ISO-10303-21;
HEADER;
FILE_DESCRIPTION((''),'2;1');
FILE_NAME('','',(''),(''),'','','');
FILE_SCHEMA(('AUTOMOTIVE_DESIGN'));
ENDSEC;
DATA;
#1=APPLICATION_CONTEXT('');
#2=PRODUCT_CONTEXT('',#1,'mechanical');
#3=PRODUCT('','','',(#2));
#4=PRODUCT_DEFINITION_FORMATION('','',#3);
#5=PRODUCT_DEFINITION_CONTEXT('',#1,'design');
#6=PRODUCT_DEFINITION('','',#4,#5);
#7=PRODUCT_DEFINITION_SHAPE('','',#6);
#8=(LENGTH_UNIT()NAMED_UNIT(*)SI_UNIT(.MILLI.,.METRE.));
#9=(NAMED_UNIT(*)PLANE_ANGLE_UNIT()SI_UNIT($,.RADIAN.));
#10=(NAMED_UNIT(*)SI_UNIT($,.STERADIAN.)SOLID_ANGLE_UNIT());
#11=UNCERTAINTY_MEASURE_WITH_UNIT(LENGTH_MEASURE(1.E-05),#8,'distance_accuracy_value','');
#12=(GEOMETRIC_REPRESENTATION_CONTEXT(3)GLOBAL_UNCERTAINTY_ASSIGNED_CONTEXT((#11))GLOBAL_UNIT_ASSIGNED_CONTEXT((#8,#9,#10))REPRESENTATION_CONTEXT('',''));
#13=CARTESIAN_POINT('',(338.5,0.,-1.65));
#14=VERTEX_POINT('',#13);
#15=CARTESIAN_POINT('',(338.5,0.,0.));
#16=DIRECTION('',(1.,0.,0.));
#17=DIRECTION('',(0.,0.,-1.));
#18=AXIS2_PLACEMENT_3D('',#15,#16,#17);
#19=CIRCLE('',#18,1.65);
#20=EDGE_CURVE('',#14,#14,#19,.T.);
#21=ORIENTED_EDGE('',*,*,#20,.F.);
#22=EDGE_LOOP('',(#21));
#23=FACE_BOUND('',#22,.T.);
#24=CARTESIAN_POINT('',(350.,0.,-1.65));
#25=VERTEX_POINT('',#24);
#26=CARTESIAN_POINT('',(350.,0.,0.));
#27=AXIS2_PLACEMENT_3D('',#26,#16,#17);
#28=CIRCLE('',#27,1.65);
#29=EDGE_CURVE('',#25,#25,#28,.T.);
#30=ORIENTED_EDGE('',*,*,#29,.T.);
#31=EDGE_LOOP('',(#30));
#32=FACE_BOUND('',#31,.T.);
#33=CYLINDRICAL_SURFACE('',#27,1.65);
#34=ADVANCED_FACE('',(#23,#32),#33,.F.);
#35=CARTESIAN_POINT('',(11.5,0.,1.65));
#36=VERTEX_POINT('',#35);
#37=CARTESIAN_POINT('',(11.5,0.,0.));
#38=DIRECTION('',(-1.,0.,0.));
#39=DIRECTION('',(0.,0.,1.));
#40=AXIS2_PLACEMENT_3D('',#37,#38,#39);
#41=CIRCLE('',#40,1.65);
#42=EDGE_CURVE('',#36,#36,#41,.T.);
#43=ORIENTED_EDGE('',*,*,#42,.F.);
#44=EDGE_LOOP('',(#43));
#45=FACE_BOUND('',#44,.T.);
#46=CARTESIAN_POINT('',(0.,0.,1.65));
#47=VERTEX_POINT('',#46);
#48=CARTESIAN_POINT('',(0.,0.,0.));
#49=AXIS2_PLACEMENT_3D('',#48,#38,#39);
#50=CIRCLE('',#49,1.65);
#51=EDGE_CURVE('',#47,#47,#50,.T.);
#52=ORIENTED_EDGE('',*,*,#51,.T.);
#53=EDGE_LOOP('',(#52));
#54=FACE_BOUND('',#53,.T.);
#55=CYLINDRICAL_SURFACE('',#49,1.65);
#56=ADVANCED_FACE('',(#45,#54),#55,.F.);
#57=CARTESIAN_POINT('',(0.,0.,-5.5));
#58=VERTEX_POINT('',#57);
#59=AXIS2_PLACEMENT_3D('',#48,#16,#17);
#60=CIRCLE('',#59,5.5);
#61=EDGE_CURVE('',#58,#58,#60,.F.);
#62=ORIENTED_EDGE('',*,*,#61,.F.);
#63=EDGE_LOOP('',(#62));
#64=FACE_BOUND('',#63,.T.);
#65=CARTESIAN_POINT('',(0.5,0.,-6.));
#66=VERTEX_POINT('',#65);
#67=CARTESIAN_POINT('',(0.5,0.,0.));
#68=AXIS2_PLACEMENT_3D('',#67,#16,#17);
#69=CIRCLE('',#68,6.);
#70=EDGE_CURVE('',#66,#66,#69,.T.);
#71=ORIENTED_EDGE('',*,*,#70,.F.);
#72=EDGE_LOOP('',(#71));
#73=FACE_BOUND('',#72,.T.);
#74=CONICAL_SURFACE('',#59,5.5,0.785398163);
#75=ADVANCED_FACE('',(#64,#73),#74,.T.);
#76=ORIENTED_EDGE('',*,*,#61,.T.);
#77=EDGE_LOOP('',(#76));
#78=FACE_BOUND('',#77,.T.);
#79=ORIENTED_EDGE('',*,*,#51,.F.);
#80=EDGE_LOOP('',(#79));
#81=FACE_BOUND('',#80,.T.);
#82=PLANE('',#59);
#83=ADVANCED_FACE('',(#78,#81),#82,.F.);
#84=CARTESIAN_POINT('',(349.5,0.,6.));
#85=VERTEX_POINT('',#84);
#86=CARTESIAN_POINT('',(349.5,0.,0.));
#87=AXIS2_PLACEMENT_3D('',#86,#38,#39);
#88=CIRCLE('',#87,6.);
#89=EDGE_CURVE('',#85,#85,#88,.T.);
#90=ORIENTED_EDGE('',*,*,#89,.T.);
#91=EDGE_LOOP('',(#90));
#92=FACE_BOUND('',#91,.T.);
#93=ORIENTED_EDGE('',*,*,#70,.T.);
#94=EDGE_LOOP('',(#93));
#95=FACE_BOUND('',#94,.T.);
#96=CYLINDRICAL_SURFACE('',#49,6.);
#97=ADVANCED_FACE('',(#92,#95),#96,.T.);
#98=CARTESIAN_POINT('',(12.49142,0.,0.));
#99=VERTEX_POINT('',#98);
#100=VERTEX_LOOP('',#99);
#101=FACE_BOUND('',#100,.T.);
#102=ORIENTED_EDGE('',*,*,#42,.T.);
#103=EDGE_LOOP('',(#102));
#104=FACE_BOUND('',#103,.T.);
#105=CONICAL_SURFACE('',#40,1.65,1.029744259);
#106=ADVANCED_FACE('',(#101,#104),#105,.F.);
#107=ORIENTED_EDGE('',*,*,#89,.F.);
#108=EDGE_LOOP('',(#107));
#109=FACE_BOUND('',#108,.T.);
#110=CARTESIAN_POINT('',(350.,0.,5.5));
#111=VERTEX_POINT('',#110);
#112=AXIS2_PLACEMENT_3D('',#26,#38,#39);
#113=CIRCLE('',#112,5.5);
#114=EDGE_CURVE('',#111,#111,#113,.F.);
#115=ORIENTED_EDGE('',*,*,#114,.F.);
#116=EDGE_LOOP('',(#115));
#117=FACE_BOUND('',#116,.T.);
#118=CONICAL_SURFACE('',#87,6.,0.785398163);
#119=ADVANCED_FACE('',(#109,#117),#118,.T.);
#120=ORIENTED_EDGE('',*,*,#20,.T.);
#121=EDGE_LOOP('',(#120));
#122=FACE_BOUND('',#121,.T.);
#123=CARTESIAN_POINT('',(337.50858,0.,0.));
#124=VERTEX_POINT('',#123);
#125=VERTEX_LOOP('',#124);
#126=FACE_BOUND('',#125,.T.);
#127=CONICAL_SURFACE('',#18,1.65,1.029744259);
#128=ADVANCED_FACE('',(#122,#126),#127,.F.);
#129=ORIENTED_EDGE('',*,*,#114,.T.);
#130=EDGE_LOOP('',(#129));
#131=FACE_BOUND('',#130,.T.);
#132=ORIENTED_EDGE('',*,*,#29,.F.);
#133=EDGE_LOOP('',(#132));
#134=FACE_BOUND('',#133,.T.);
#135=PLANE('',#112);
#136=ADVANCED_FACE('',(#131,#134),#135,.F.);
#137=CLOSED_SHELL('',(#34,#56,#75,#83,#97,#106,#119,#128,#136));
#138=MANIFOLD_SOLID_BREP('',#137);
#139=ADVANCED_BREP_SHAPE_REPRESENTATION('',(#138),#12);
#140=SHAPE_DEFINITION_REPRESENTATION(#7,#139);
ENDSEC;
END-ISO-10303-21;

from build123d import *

# Parameters (mm, degrees)
SKETCH1_W          = 350
SKETCH1_H          = 6
TAPPED_HOLE1_D     = 3.3
TAPPED_HOLE1_DEPTH = 11.5
TAPPED_HOLE1_TIP   = 0.991420021
TAPPED_HOLE2_D     = 3.3
TAPPED_HOLE2_DEPTH = 11.5
TAPPED_HOLE2_TIP   = 0.991420021
CHAMFER1_SIZE      = 0.5


with BuildPart() as part:
    # Sketch1 → Revolve1 (revolve)
    with BuildSketch(Plane.XY):
        with Locations((175, 3)):
            Rectangle(SKETCH1_W, SKETCH1_H)
    revolve(axis=Axis((0, 0, 0), (1, 0, 0)))

    # Tapped Hole1
    with Locations(Plane.ZY):
        with Locations((0, 0)):
            Hole(TAPPED_HOLE1_D / 2, depth=TAPPED_HOLE1_DEPTH)
            with Locations((0, 0, -(TAPPED_HOLE1_DEPTH + TAPPED_HOLE1_TIP / 2))):  # 118° drill point
                Cone(0, TAPPED_HOLE1_D / 2, TAPPED_HOLE1_TIP, mode=Mode.SUBTRACT)

    # Tapped Hole2
    with Locations(Plane(origin=(350, 0, 0), x_dir=(0, 0, -1), z_dir=(1, 0, 0))):
        with Locations((0, 0)):
            Hole(TAPPED_HOLE2_D / 2, depth=TAPPED_HOLE2_DEPTH)
            with Locations((0, 0, -(TAPPED_HOLE2_DEPTH + TAPPED_HOLE2_TIP / 2))):  # 118° drill point
                Cone(0, TAPPED_HOLE2_D / 2, TAPPED_HOLE2_TIP, mode=Mode.SUBTRACT)

    # Chamfer1
    chamfer1_edges = [part.edges().sort_by_distance(p)[0] for p in [
        (0, -6, 0),
        (350, -6, 0),
    ]]
    chamfer(chamfer1_edges, length=CHAMFER1_SIZE)


solid = part.part
